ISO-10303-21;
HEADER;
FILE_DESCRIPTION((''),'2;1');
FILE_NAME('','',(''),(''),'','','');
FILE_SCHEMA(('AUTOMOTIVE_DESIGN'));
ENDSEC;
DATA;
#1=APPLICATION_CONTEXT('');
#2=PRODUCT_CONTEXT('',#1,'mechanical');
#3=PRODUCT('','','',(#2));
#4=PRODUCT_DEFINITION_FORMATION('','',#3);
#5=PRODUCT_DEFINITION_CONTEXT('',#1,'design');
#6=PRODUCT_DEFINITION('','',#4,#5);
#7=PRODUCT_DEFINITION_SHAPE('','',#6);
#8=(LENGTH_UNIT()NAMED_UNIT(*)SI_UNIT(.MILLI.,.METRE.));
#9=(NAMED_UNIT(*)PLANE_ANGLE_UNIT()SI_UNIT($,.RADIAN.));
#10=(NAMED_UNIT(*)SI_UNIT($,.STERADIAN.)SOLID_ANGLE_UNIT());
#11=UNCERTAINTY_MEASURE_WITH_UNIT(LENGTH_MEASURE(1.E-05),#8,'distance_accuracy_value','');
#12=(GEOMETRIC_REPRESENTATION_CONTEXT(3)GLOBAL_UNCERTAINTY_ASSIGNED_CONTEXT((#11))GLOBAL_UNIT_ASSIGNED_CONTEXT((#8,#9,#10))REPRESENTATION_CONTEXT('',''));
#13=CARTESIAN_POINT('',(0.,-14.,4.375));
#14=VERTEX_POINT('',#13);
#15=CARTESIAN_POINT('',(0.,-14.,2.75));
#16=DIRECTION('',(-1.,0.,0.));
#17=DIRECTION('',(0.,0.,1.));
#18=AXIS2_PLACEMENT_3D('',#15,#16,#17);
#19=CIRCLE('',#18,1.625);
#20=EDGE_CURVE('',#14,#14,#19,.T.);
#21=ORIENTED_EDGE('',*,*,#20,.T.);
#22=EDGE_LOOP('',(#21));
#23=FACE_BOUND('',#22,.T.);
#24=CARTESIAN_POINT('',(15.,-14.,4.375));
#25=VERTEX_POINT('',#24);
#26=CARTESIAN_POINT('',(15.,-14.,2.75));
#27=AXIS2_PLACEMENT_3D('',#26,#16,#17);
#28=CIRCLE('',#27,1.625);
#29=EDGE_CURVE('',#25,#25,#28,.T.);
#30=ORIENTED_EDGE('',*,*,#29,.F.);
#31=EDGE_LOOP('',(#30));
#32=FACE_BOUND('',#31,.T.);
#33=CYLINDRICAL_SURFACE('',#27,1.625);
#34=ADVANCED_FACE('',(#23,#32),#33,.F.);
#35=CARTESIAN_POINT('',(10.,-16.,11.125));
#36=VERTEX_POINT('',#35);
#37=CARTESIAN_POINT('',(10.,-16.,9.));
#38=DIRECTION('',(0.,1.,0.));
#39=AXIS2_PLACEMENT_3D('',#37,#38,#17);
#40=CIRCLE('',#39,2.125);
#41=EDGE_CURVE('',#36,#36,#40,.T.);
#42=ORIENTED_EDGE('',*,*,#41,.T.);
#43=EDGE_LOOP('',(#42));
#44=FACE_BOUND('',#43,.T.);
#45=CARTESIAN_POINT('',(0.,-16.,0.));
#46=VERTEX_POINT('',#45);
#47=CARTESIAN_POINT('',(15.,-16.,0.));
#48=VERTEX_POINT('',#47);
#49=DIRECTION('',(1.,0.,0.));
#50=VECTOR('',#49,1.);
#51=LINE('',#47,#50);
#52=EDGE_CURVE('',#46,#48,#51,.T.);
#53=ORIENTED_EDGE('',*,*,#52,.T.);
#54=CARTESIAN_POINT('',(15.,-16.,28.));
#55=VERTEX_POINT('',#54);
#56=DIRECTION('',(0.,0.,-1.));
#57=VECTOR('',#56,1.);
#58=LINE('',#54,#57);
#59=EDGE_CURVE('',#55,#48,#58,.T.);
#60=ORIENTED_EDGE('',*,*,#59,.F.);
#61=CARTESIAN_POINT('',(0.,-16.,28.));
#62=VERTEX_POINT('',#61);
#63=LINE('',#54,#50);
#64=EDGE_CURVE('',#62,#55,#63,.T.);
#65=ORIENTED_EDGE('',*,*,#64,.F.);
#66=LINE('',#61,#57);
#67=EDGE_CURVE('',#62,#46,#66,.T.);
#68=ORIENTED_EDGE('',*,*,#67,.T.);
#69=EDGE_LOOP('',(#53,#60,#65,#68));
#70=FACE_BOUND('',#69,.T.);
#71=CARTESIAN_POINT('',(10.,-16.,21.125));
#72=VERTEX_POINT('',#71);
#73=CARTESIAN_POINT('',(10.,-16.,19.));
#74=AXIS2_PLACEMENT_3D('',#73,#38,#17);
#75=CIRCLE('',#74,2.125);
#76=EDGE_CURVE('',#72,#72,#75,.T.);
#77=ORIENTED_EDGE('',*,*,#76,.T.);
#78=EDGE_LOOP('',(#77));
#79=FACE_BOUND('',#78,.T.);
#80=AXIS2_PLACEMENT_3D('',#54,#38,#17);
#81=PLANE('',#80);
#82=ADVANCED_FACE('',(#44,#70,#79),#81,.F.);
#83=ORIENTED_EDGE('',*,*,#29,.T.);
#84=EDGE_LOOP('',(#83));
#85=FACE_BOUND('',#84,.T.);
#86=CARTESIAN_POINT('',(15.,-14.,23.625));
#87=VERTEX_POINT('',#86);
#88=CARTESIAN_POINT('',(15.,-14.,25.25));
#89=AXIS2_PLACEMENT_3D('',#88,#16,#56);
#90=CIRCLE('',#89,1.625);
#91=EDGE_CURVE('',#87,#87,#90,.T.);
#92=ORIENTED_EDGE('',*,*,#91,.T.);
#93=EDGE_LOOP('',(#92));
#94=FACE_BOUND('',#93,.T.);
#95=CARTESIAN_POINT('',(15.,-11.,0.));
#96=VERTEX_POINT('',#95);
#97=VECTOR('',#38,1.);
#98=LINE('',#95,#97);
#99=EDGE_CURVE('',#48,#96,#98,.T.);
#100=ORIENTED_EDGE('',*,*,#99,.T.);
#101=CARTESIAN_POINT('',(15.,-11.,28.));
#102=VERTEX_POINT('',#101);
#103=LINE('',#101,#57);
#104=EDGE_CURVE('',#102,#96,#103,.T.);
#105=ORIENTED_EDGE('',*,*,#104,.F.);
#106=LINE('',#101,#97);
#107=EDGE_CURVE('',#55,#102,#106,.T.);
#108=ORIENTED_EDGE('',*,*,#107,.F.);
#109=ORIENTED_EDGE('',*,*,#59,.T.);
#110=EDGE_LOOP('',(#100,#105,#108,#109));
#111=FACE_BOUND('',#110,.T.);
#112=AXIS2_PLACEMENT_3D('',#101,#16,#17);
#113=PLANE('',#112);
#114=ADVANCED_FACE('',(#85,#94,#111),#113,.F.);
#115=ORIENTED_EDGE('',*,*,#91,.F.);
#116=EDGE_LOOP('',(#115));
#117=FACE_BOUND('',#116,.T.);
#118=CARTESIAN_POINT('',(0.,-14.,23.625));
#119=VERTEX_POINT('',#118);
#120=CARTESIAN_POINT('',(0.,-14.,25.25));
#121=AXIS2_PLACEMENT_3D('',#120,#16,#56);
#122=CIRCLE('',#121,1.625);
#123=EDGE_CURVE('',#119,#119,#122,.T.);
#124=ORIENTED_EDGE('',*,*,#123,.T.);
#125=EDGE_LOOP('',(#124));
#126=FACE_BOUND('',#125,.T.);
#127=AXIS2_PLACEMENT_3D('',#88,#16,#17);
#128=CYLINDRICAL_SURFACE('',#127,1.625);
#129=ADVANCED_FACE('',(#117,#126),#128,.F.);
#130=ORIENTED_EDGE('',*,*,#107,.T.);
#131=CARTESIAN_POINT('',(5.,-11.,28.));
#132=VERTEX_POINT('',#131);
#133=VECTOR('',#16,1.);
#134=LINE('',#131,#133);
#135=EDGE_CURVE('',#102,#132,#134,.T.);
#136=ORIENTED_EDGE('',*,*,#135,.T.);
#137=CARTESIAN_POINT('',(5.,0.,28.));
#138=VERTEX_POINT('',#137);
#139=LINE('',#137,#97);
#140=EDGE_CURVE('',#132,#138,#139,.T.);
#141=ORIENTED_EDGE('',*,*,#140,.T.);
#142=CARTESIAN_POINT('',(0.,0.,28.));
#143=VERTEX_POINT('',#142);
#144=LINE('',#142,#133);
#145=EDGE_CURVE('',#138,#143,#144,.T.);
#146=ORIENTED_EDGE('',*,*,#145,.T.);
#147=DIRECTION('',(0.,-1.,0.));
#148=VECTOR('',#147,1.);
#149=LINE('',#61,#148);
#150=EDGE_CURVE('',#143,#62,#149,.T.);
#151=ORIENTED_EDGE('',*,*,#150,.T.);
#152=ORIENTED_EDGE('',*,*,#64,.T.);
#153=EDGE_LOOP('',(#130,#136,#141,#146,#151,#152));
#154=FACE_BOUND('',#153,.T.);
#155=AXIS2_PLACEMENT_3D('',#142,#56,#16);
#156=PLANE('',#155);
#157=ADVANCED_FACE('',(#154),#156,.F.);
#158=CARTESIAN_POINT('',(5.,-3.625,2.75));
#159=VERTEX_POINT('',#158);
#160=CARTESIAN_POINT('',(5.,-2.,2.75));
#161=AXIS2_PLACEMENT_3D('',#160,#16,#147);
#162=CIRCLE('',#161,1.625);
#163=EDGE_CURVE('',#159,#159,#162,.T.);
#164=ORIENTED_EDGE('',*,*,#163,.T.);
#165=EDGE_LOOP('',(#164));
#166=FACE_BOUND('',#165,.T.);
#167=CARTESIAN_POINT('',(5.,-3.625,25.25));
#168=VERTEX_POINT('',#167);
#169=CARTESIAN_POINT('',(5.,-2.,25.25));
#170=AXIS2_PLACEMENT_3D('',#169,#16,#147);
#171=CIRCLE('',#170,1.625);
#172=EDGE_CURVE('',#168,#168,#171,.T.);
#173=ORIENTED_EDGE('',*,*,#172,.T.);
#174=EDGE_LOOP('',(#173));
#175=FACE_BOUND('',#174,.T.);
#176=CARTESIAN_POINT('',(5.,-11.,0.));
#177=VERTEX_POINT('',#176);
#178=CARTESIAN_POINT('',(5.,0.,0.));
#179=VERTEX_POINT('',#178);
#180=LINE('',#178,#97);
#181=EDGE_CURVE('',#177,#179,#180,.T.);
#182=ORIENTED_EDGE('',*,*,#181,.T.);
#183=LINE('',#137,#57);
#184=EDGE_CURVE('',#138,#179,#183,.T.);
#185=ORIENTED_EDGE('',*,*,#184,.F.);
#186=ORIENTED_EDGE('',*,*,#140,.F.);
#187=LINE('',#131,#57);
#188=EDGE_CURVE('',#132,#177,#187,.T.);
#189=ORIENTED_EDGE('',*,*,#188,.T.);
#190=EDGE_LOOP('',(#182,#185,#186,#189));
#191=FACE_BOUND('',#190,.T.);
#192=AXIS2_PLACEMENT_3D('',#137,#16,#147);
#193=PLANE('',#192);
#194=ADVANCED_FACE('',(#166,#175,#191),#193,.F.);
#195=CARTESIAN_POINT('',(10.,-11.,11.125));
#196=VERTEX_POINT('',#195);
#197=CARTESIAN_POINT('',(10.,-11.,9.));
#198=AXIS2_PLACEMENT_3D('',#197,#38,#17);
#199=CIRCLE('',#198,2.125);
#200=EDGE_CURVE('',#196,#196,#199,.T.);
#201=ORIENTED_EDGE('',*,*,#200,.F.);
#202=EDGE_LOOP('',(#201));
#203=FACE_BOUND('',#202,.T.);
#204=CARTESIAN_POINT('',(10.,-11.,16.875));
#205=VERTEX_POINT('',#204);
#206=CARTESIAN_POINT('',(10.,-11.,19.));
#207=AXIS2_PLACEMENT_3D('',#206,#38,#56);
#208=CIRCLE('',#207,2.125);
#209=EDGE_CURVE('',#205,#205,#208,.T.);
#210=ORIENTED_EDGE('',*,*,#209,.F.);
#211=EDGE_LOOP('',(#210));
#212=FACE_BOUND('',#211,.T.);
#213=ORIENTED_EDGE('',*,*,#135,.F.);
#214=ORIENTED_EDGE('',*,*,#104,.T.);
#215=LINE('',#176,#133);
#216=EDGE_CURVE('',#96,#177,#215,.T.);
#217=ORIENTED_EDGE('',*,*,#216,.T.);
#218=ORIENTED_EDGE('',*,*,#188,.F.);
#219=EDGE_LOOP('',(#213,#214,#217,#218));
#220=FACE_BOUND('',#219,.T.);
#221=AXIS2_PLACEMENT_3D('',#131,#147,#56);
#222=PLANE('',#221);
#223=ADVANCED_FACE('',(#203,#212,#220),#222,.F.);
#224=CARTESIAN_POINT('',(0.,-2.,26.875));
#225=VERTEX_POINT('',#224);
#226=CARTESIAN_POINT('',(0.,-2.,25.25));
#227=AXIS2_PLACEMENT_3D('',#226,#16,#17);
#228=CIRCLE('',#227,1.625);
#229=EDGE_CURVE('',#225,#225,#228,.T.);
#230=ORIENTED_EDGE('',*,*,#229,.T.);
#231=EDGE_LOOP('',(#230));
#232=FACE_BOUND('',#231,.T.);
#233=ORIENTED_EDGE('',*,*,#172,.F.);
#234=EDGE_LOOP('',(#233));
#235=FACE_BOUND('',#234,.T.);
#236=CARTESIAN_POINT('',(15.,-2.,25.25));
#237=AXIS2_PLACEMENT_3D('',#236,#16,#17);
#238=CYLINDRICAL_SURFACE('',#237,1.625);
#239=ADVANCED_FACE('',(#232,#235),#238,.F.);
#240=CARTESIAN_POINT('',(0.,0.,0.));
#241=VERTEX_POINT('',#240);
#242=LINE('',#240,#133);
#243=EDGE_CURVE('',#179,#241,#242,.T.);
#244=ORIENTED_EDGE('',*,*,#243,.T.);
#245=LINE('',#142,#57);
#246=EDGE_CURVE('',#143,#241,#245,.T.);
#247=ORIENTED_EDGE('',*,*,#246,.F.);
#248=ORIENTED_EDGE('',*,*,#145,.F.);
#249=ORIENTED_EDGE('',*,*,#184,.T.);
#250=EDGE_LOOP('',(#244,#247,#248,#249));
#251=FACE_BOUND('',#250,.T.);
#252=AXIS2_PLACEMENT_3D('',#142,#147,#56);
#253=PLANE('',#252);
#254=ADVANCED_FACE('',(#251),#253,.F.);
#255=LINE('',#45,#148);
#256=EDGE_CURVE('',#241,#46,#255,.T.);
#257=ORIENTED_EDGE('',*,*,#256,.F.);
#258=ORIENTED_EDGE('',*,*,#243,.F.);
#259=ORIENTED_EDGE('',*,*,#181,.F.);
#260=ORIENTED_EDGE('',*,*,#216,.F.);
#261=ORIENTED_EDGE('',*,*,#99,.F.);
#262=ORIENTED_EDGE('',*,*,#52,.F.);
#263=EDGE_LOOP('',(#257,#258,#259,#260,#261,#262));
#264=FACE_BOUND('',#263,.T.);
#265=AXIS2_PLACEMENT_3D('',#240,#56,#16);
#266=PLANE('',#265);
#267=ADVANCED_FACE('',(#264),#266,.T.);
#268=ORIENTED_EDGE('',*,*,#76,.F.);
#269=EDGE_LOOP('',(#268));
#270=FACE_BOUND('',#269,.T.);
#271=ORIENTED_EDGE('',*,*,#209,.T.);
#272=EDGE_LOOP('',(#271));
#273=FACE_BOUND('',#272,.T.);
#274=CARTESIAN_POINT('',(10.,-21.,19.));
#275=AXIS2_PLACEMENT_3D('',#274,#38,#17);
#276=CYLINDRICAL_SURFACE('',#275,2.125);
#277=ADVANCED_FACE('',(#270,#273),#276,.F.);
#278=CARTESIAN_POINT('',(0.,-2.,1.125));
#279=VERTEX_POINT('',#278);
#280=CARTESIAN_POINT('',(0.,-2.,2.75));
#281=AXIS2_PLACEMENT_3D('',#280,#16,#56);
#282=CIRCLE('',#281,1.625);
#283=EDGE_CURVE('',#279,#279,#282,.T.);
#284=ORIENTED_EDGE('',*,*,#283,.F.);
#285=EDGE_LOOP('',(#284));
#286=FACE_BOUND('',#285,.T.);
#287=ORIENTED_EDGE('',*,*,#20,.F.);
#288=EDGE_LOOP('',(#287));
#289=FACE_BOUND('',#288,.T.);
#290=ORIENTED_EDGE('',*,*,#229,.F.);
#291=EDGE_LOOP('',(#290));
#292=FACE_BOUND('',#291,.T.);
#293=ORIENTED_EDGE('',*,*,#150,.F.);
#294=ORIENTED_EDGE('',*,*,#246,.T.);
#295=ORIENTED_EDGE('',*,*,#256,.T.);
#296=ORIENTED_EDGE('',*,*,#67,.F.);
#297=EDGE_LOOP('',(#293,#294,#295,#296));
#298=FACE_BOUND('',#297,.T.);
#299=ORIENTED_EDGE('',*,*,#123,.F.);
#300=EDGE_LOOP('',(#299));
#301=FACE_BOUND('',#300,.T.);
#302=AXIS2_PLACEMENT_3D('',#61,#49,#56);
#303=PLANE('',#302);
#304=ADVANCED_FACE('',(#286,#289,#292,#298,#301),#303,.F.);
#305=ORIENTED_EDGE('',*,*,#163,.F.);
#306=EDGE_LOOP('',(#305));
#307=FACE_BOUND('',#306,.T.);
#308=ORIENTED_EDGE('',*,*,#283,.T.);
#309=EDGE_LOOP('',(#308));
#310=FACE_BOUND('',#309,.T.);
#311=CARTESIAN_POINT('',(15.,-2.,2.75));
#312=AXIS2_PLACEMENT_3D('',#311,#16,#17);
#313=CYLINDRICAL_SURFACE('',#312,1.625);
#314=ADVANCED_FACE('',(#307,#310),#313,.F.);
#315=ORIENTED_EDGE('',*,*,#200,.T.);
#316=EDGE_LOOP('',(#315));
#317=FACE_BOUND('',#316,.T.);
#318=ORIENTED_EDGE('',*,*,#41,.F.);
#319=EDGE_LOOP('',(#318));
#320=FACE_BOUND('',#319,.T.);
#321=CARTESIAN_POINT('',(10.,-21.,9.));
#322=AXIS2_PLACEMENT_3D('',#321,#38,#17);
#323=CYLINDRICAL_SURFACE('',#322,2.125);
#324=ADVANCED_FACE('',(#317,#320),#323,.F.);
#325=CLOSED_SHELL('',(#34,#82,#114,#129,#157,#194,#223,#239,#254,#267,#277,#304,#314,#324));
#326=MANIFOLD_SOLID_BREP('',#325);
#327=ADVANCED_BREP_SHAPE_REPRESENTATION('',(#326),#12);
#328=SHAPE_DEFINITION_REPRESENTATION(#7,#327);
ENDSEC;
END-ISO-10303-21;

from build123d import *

# Parameters (mm, degrees)
BOSS_EXTRU_1_DEPTH      = 28
ESQUISSE3_R             = 1.625
ENL_V_MAT_EXTRU_1_DEPTH = 16
ESQUISSE4_R             = 2.125
ENL_V_MAT_EXTRU_2_DEPTH = 10


with BuildPart() as part:
    # Esquisse1 → Boss.-Extru.1 (new body)
    with BuildSketch(Plane.XY):
        Polygon((0, 0), (5, 0), (5, -11), (15, -11), (15, -16), (0, -16), align=None)
    extrude(amount=BOSS_EXTRU_1_DEPTH)

    # Esquisse3 → Enlèv. mat.-Extru.1 (cut, through all)
    with BuildSketch(Plane.ZY):
        with Locations((25.25, -2)):
            Circle(ESQUISSE3_R)
        with Locations((2.75, -14)):
            Circle(ESQUISSE3_R)
        with Locations((25.25, -14)):
            Circle(ESQUISSE3_R)
        with Locations((2.75, -2)):
            Circle(ESQUISSE3_R)
    extrude(amount=-ENL_V_MAT_EXTRU_1_DEPTH, mode=Mode.SUBTRACT)

    # Esquisse4 → Enlèv. mat.-Extru.2 (cut)
    with BuildSketch(Plane(origin=(0, -11, 0), x_dir=(1, 0, 0), z_dir=(0, 1, 0))):
        with Locations((10, -9)):
            Circle(ESQUISSE4_R)
        with Locations((10, -19)):
            Circle(ESQUISSE4_R)
    extrude(amount=-ENL_V_MAT_EXTRU_2_DEPTH, mode=Mode.SUBTRACT)


solid = part.part
